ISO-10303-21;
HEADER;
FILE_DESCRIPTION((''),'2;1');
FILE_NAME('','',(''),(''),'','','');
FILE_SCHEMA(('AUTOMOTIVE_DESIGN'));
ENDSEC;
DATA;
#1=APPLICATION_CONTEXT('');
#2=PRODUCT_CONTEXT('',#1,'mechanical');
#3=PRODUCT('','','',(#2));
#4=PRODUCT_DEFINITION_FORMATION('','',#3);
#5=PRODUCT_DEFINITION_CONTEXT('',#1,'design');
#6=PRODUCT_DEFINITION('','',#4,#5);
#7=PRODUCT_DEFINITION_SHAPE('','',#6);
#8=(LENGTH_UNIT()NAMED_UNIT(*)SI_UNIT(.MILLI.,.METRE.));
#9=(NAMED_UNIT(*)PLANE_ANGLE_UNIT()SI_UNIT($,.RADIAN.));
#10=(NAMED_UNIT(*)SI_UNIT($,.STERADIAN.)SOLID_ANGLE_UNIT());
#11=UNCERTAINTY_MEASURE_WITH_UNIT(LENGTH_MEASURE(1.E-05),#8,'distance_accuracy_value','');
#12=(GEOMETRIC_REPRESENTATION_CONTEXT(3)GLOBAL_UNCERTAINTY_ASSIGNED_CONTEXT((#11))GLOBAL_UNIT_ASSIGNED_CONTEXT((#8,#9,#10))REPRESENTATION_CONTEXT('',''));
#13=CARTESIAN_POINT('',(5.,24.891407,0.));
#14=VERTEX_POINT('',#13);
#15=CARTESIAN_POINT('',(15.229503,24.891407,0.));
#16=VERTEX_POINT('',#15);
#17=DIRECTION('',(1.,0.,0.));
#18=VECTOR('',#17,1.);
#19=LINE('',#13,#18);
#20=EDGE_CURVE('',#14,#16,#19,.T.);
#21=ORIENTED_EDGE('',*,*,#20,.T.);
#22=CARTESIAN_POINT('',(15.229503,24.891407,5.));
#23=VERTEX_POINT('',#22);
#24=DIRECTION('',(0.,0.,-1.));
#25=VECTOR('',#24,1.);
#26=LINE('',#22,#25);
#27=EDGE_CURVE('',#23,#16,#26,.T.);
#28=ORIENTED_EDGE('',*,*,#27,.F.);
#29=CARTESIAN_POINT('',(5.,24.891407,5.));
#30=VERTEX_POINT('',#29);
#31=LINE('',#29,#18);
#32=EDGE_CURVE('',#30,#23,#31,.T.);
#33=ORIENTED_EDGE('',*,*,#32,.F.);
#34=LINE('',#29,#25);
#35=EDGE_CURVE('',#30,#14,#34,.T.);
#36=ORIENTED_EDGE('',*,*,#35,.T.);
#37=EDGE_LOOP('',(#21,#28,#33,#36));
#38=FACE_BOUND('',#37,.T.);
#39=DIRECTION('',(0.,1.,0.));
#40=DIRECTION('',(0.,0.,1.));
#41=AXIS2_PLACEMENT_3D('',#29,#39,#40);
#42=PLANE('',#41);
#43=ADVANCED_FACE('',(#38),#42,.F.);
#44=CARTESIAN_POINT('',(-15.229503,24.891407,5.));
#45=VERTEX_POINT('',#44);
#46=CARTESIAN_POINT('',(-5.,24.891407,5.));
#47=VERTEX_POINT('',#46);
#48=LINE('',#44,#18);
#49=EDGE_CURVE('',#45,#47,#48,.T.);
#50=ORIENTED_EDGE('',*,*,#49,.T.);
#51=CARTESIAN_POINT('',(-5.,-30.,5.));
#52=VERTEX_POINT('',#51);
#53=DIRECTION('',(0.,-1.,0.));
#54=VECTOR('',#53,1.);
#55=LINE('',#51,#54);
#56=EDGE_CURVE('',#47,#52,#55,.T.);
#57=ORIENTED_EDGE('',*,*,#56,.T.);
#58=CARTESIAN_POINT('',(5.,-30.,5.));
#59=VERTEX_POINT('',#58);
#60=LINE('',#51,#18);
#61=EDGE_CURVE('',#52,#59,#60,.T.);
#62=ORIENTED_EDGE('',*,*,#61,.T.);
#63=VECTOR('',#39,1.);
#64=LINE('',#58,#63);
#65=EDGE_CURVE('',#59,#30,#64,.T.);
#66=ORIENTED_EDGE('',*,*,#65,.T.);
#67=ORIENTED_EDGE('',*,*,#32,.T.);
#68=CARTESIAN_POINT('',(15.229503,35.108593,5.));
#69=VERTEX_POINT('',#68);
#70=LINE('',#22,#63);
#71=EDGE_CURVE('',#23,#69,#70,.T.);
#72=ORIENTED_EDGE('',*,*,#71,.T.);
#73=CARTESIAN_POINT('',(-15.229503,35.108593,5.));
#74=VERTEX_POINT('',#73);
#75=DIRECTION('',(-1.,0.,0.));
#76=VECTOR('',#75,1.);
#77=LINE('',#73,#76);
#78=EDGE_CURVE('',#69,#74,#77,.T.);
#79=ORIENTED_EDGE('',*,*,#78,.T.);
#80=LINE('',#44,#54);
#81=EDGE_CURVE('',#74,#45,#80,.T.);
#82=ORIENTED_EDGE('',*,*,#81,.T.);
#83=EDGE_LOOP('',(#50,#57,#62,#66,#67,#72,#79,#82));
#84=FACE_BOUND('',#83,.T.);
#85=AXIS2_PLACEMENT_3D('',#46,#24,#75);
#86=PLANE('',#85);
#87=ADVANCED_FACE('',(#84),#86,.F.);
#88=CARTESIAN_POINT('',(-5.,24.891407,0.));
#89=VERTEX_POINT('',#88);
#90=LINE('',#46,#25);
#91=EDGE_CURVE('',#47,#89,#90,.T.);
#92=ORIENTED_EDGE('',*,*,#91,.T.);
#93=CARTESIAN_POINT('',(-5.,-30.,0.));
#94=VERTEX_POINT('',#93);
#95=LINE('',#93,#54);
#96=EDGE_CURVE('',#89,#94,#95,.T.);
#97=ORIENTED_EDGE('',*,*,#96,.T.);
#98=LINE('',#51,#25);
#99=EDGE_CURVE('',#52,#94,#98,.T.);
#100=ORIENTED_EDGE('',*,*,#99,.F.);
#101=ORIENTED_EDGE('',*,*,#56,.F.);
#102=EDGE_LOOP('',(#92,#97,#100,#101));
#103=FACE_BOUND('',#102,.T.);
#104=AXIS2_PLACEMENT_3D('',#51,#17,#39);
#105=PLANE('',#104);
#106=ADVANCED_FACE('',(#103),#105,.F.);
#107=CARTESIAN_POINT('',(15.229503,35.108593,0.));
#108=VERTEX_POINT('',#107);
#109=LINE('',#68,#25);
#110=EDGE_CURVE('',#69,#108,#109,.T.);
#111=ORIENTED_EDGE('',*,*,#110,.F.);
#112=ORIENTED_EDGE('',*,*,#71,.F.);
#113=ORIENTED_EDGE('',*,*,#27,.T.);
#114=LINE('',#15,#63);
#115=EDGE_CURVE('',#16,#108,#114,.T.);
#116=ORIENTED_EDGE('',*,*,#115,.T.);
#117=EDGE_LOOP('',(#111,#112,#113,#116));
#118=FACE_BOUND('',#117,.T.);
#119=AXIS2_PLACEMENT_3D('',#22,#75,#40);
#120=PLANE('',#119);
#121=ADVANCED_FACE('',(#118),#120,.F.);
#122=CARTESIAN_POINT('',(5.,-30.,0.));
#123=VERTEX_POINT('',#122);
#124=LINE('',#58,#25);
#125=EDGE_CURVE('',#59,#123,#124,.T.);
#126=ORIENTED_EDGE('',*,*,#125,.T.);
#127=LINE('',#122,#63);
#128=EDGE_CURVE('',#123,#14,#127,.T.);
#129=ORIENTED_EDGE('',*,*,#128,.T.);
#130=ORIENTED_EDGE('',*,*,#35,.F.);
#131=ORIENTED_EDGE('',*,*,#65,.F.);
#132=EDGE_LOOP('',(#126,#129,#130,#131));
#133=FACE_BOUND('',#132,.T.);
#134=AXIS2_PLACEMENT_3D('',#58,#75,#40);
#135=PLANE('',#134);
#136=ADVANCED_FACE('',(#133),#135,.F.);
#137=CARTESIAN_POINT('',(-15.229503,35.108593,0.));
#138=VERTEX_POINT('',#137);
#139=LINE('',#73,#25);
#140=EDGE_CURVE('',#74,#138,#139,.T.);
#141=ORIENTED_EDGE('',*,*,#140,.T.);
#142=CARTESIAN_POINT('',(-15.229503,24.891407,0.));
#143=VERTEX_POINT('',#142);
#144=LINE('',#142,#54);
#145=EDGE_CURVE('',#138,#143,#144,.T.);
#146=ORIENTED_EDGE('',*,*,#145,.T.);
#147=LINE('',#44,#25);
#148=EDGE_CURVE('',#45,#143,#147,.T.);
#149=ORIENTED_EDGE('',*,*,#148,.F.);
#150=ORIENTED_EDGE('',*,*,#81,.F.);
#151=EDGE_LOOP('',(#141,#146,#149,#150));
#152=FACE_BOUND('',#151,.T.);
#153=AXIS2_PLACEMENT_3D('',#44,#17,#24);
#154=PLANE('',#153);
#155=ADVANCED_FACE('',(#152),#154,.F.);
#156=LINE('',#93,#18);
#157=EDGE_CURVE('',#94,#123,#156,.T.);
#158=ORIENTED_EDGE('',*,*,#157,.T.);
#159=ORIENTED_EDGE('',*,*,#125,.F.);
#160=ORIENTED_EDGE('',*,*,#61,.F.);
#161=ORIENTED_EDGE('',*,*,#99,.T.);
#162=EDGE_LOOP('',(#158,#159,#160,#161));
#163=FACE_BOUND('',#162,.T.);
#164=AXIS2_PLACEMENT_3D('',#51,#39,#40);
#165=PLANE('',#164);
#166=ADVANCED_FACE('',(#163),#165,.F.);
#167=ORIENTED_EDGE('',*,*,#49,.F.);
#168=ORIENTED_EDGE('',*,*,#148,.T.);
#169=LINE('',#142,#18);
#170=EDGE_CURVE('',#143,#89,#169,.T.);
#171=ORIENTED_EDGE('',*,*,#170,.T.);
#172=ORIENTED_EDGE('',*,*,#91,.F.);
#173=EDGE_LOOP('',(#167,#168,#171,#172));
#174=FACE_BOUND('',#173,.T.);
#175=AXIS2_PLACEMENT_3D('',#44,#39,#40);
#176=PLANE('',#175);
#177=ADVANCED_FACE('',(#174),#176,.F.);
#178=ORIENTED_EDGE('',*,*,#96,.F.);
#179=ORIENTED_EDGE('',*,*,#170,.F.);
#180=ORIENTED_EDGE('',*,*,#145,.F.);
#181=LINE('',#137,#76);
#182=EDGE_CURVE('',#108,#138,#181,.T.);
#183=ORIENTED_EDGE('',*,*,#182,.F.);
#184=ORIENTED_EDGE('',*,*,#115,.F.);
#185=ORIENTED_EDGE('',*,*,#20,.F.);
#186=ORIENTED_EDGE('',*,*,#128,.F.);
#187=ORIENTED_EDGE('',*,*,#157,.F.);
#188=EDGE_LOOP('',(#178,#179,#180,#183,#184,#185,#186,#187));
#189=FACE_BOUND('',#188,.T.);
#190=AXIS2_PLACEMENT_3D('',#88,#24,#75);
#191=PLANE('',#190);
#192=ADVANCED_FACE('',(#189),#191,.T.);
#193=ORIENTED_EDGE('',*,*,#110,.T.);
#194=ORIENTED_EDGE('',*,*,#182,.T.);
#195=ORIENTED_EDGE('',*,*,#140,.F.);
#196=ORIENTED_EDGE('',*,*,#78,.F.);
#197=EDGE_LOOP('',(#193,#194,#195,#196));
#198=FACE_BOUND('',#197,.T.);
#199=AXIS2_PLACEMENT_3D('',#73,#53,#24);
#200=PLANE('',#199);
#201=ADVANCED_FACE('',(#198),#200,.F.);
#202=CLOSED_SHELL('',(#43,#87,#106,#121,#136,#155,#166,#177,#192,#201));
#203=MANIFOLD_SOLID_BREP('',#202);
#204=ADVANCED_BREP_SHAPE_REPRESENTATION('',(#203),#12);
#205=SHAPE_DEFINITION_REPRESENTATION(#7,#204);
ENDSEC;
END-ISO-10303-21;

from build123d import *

# Parameters (mm, degrees)
BOSS_EXTRUDE2_DEPTH = 5


with BuildPart() as part:
    # Sketch2 → Boss-Extrude2 (new body)
    with BuildSketch(Plane.XY):
        Polygon((5, 24.891407059), (15.229503171, 24.891407059), (15.229503171, 35.108592941), (-15.229503171, 35.108592941), (-15.229503171, 24.891407059), (-5, 24.891407059), (-5, -30), (5, -30), align=None)
    extrude(amount=BOSS_EXTRUDE2_DEPTH)


solid = part.part
